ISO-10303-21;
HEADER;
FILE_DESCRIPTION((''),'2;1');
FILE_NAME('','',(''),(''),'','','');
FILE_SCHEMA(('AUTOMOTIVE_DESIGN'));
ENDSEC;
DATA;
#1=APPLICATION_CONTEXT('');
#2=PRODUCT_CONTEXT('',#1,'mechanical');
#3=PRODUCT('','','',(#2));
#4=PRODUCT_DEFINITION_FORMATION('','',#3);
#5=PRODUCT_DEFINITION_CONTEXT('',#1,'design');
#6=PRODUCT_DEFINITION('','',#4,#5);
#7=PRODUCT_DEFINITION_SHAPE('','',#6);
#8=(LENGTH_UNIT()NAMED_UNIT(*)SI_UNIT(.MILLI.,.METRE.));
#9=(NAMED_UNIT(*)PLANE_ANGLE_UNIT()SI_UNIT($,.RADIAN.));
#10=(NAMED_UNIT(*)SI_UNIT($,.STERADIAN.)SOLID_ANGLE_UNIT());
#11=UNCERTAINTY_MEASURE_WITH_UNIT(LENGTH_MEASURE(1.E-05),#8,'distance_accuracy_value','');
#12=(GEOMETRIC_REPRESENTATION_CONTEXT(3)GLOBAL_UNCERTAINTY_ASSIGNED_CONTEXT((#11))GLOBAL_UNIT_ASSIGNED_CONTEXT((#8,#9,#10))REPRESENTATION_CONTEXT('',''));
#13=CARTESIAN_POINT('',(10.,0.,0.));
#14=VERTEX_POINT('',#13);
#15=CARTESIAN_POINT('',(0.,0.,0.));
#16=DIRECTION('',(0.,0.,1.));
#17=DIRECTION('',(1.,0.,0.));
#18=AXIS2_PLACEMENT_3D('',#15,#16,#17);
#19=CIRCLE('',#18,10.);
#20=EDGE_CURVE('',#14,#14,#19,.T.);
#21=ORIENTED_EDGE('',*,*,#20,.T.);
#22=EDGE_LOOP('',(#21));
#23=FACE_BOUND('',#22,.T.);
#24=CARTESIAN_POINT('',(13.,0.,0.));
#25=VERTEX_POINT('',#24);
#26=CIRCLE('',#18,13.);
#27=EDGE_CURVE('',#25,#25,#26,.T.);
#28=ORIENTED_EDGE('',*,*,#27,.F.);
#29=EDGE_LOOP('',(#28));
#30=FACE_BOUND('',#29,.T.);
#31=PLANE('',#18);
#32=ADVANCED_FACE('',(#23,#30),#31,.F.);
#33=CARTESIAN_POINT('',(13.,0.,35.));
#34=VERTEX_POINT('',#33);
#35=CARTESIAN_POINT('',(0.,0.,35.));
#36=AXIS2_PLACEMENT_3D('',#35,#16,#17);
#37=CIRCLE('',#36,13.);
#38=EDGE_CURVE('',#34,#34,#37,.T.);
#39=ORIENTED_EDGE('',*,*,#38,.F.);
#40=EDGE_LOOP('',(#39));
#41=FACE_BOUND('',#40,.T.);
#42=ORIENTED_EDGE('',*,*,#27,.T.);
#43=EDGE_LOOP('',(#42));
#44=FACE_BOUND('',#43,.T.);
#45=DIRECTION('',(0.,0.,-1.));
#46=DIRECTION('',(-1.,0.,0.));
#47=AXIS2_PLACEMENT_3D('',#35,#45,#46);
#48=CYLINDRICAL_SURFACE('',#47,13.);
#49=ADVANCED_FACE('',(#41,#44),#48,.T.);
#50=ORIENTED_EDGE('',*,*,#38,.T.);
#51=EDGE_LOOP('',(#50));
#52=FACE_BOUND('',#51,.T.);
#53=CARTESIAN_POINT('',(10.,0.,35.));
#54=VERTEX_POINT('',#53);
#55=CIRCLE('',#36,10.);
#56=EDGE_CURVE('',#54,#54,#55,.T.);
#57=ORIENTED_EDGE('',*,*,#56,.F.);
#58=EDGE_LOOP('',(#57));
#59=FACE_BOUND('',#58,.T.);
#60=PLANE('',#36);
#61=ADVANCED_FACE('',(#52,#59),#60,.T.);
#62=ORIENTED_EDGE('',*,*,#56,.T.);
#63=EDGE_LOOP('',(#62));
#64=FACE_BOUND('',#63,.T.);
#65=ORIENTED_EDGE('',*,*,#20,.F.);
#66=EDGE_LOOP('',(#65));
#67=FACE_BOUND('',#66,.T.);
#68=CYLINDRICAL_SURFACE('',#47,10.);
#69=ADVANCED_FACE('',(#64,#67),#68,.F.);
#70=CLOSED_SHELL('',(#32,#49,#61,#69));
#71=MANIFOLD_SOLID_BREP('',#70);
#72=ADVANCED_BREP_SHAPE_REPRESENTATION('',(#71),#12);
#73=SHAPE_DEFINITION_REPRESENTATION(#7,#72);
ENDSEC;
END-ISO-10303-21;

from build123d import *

# Parameters (mm, degrees)
SKETCH1_R           = 13
SKETCH1_R_2         = 10
BOSS_EXTRUDE1_DEPTH = 35


with BuildPart() as part:
    # Sketch1 → Boss-Extrude1 (new body)
    with BuildSketch(Plane.XY):
        Circle(SKETCH1_R)
        Circle(SKETCH1_R_2, mode=Mode.SUBTRACT)
    extrude(amount=BOSS_EXTRUDE1_DEPTH)


solid = part.part
